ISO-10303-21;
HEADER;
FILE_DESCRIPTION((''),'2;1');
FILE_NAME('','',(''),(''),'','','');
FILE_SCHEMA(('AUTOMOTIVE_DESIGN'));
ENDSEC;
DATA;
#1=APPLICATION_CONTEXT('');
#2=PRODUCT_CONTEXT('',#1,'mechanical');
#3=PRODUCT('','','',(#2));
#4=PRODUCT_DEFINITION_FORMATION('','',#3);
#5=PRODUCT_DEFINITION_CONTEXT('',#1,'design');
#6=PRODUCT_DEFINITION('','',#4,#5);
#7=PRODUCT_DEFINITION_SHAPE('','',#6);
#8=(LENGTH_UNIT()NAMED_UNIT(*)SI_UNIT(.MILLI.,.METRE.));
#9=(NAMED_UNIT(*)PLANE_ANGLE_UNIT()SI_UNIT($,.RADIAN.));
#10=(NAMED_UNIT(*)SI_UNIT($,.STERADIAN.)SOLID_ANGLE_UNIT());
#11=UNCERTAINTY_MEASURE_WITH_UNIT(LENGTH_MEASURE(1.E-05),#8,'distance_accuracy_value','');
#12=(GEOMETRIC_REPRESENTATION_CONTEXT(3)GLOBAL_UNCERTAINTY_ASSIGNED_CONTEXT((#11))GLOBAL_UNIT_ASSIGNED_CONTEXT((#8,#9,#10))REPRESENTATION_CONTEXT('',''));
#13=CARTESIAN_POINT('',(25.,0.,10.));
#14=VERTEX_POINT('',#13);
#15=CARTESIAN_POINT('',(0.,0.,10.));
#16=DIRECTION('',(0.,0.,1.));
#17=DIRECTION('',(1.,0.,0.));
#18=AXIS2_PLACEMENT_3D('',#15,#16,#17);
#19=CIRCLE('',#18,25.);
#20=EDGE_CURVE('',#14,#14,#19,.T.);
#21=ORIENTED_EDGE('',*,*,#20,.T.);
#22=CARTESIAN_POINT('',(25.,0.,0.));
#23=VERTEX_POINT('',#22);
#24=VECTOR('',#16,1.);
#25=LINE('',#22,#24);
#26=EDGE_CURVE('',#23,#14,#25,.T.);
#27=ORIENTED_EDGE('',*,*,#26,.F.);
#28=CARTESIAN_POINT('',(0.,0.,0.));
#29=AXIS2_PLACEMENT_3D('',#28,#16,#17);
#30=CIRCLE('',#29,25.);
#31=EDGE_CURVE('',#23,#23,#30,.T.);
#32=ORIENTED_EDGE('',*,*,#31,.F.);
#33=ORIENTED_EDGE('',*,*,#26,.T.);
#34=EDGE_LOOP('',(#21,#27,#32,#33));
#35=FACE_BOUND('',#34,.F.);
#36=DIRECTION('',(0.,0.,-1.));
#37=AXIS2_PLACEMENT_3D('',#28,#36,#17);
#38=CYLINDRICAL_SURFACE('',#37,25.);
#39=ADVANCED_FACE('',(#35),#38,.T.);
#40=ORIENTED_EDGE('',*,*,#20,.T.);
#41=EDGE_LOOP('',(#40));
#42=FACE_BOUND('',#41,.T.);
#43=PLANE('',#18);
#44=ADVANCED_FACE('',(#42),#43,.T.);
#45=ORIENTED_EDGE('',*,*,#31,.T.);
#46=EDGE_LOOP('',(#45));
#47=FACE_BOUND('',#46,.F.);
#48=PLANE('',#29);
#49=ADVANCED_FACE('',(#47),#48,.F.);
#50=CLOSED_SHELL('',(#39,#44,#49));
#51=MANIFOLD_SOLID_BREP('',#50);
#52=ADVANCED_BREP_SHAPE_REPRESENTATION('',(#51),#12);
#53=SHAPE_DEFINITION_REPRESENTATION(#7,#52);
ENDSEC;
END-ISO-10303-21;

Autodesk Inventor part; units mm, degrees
sketch "草圖1" plane through (0, 0, 0) normal (0, 0, 1) x (1, 0, 0)
  circle A0 centre (0, 0) radius 25
  dimension "d0" = 50
extrude "擠出1" add sketch "草圖1" along normal blind 10
properties part number "路徑2.0"
